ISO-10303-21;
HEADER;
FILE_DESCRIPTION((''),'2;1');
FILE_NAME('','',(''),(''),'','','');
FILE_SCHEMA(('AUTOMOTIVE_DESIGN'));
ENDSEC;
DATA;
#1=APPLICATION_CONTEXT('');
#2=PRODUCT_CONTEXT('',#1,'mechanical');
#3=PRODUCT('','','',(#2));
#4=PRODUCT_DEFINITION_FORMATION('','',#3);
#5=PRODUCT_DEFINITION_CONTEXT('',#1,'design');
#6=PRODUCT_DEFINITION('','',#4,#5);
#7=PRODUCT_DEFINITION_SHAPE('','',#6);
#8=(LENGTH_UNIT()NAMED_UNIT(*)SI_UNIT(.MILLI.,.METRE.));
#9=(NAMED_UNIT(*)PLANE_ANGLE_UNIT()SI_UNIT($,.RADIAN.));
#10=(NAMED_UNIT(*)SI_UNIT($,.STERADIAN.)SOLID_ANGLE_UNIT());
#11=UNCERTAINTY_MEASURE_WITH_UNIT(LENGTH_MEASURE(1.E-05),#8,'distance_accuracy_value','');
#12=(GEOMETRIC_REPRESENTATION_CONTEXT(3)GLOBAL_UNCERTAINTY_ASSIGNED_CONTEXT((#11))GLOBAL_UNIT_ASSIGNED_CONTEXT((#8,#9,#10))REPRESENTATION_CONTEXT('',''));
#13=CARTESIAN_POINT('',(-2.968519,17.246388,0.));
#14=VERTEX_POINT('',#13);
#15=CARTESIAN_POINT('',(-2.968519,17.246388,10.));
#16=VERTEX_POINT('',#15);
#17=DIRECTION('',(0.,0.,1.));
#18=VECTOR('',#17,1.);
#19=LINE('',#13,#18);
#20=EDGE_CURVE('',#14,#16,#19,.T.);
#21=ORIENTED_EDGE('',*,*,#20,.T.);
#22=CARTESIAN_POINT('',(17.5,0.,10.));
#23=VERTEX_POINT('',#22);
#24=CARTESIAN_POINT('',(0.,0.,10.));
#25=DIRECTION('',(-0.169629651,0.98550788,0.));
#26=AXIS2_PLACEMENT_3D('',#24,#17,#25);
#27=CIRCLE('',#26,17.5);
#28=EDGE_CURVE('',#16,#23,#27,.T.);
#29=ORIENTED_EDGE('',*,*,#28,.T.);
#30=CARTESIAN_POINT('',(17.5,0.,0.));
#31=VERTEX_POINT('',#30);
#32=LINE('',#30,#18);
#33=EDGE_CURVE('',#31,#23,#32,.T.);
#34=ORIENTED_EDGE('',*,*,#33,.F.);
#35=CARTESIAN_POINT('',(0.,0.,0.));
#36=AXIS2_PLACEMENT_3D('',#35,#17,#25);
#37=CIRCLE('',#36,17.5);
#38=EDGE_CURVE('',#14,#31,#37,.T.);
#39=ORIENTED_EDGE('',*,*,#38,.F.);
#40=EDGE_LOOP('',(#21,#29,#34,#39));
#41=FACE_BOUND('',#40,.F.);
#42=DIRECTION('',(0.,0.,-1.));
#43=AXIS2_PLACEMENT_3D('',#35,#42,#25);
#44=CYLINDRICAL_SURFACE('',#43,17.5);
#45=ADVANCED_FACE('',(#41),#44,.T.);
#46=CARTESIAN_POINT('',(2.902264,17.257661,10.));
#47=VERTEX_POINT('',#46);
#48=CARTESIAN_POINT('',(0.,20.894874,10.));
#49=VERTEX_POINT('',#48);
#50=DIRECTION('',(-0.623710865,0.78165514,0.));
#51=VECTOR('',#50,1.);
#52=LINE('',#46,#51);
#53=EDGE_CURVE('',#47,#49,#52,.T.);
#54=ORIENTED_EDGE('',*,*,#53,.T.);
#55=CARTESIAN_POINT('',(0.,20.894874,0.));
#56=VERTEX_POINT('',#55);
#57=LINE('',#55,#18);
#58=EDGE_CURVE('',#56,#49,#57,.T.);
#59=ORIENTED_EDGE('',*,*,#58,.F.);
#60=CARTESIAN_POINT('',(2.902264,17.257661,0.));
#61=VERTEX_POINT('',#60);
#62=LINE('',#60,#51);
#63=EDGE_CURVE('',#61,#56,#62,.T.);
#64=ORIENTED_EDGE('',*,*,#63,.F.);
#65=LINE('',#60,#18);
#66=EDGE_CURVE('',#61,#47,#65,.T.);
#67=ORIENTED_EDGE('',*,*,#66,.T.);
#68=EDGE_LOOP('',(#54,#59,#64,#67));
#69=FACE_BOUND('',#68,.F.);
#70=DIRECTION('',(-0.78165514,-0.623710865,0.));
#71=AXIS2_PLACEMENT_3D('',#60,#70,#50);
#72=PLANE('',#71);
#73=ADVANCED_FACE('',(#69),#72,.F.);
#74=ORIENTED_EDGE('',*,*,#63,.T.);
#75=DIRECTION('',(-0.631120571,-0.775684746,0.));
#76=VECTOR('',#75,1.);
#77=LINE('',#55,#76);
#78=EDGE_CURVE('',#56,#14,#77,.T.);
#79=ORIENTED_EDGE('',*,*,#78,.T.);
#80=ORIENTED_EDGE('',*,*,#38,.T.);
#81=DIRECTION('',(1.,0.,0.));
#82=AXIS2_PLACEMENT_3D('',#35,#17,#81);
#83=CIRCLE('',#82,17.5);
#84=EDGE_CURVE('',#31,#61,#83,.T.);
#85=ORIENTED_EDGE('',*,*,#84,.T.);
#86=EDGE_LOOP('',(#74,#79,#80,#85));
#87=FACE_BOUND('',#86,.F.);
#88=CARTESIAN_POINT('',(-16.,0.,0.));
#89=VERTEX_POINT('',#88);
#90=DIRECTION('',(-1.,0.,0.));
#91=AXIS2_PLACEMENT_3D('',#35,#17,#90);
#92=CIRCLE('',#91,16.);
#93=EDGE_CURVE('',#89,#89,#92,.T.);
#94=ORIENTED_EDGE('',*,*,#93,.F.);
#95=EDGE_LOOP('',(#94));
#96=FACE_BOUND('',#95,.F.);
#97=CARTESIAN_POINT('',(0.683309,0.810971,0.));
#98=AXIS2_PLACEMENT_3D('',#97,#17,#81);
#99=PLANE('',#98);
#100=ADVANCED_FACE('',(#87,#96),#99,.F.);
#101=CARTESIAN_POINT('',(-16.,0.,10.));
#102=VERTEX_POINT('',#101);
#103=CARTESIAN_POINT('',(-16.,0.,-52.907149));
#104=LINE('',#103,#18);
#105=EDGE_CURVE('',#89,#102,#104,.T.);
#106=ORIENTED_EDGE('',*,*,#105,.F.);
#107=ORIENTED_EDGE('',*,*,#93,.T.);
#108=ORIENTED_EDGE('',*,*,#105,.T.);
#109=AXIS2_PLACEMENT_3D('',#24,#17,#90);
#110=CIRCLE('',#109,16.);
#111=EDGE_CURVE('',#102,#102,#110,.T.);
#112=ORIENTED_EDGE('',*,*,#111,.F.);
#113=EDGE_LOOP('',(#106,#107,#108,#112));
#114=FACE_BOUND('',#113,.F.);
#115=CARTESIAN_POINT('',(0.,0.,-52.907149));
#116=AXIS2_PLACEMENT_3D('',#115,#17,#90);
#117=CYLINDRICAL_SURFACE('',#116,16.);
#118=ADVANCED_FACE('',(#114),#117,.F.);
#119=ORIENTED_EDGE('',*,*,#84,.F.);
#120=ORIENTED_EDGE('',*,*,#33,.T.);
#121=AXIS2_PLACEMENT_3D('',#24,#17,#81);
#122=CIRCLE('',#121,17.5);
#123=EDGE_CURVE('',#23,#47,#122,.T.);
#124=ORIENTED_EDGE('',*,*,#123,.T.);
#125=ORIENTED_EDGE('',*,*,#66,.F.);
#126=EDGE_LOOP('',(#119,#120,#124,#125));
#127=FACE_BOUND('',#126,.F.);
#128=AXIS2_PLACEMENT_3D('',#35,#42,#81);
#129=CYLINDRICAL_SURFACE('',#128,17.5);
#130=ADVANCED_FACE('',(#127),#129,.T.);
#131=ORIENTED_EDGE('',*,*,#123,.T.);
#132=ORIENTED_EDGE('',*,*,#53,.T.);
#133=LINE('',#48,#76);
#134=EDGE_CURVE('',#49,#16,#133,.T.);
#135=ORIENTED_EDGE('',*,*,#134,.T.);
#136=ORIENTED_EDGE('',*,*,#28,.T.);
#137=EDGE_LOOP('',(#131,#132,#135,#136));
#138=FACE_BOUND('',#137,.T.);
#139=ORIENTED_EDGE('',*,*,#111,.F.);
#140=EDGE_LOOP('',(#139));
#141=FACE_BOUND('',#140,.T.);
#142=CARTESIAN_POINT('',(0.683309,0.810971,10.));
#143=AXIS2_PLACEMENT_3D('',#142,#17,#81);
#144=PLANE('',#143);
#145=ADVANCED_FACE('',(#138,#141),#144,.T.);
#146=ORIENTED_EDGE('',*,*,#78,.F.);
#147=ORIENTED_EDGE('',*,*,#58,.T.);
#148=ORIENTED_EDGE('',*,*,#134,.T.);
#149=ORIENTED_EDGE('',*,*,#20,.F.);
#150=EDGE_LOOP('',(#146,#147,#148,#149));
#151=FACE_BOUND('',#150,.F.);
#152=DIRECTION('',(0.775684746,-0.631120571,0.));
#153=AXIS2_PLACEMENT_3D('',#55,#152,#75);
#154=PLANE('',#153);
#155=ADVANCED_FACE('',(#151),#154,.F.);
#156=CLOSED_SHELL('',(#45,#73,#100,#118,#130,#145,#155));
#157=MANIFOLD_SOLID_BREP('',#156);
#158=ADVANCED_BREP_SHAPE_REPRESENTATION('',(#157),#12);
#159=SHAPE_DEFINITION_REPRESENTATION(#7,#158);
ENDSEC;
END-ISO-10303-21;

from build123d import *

# Parameters (mm, degrees)
F1_DEPTH = 10
F2_D     = 32


with BuildPart() as f1:
    # F0 (on Top) → F1 (new body)
    with BuildSketch(Plane.XY):
        with BuildLine():
            ThreePointArc((-2.9685188918, 17.2463878998), (-11.2761012631, -13.382807639), (17.5, 0))
            ThreePointArc((17.5, 0), (13.3611305036, 11.3017782523), (2.9022638098, 17.257661046))
            ThreePointArc((2.9022638098, 17.257661046), (-0.0336036446, 17.499967737), (-2.9685188918, 17.2463878998))
        make_face()
        with BuildLine():
            ThreePointArc((-2.9685188918, 17.2463878998), (-0.0336036446, 17.499967737), (2.9022638098, 17.257661046))
            Line((2.9022638098, 17.257661046), (0, 20.8948743002))
            Line((0, 20.8948743002), (-2.9685188918, 17.2463878998))
        make_face()
    extrude(amount=F1_DEPTH)

    # F2 (through all)
    with Locations(Plane(origin=(0, 0, 0), x_dir=(1, 0, 0), z_dir=(0, 0, -1))):
        with Locations((0, 0)):
            Hole(F2_D / 2)


solid = f1.part
